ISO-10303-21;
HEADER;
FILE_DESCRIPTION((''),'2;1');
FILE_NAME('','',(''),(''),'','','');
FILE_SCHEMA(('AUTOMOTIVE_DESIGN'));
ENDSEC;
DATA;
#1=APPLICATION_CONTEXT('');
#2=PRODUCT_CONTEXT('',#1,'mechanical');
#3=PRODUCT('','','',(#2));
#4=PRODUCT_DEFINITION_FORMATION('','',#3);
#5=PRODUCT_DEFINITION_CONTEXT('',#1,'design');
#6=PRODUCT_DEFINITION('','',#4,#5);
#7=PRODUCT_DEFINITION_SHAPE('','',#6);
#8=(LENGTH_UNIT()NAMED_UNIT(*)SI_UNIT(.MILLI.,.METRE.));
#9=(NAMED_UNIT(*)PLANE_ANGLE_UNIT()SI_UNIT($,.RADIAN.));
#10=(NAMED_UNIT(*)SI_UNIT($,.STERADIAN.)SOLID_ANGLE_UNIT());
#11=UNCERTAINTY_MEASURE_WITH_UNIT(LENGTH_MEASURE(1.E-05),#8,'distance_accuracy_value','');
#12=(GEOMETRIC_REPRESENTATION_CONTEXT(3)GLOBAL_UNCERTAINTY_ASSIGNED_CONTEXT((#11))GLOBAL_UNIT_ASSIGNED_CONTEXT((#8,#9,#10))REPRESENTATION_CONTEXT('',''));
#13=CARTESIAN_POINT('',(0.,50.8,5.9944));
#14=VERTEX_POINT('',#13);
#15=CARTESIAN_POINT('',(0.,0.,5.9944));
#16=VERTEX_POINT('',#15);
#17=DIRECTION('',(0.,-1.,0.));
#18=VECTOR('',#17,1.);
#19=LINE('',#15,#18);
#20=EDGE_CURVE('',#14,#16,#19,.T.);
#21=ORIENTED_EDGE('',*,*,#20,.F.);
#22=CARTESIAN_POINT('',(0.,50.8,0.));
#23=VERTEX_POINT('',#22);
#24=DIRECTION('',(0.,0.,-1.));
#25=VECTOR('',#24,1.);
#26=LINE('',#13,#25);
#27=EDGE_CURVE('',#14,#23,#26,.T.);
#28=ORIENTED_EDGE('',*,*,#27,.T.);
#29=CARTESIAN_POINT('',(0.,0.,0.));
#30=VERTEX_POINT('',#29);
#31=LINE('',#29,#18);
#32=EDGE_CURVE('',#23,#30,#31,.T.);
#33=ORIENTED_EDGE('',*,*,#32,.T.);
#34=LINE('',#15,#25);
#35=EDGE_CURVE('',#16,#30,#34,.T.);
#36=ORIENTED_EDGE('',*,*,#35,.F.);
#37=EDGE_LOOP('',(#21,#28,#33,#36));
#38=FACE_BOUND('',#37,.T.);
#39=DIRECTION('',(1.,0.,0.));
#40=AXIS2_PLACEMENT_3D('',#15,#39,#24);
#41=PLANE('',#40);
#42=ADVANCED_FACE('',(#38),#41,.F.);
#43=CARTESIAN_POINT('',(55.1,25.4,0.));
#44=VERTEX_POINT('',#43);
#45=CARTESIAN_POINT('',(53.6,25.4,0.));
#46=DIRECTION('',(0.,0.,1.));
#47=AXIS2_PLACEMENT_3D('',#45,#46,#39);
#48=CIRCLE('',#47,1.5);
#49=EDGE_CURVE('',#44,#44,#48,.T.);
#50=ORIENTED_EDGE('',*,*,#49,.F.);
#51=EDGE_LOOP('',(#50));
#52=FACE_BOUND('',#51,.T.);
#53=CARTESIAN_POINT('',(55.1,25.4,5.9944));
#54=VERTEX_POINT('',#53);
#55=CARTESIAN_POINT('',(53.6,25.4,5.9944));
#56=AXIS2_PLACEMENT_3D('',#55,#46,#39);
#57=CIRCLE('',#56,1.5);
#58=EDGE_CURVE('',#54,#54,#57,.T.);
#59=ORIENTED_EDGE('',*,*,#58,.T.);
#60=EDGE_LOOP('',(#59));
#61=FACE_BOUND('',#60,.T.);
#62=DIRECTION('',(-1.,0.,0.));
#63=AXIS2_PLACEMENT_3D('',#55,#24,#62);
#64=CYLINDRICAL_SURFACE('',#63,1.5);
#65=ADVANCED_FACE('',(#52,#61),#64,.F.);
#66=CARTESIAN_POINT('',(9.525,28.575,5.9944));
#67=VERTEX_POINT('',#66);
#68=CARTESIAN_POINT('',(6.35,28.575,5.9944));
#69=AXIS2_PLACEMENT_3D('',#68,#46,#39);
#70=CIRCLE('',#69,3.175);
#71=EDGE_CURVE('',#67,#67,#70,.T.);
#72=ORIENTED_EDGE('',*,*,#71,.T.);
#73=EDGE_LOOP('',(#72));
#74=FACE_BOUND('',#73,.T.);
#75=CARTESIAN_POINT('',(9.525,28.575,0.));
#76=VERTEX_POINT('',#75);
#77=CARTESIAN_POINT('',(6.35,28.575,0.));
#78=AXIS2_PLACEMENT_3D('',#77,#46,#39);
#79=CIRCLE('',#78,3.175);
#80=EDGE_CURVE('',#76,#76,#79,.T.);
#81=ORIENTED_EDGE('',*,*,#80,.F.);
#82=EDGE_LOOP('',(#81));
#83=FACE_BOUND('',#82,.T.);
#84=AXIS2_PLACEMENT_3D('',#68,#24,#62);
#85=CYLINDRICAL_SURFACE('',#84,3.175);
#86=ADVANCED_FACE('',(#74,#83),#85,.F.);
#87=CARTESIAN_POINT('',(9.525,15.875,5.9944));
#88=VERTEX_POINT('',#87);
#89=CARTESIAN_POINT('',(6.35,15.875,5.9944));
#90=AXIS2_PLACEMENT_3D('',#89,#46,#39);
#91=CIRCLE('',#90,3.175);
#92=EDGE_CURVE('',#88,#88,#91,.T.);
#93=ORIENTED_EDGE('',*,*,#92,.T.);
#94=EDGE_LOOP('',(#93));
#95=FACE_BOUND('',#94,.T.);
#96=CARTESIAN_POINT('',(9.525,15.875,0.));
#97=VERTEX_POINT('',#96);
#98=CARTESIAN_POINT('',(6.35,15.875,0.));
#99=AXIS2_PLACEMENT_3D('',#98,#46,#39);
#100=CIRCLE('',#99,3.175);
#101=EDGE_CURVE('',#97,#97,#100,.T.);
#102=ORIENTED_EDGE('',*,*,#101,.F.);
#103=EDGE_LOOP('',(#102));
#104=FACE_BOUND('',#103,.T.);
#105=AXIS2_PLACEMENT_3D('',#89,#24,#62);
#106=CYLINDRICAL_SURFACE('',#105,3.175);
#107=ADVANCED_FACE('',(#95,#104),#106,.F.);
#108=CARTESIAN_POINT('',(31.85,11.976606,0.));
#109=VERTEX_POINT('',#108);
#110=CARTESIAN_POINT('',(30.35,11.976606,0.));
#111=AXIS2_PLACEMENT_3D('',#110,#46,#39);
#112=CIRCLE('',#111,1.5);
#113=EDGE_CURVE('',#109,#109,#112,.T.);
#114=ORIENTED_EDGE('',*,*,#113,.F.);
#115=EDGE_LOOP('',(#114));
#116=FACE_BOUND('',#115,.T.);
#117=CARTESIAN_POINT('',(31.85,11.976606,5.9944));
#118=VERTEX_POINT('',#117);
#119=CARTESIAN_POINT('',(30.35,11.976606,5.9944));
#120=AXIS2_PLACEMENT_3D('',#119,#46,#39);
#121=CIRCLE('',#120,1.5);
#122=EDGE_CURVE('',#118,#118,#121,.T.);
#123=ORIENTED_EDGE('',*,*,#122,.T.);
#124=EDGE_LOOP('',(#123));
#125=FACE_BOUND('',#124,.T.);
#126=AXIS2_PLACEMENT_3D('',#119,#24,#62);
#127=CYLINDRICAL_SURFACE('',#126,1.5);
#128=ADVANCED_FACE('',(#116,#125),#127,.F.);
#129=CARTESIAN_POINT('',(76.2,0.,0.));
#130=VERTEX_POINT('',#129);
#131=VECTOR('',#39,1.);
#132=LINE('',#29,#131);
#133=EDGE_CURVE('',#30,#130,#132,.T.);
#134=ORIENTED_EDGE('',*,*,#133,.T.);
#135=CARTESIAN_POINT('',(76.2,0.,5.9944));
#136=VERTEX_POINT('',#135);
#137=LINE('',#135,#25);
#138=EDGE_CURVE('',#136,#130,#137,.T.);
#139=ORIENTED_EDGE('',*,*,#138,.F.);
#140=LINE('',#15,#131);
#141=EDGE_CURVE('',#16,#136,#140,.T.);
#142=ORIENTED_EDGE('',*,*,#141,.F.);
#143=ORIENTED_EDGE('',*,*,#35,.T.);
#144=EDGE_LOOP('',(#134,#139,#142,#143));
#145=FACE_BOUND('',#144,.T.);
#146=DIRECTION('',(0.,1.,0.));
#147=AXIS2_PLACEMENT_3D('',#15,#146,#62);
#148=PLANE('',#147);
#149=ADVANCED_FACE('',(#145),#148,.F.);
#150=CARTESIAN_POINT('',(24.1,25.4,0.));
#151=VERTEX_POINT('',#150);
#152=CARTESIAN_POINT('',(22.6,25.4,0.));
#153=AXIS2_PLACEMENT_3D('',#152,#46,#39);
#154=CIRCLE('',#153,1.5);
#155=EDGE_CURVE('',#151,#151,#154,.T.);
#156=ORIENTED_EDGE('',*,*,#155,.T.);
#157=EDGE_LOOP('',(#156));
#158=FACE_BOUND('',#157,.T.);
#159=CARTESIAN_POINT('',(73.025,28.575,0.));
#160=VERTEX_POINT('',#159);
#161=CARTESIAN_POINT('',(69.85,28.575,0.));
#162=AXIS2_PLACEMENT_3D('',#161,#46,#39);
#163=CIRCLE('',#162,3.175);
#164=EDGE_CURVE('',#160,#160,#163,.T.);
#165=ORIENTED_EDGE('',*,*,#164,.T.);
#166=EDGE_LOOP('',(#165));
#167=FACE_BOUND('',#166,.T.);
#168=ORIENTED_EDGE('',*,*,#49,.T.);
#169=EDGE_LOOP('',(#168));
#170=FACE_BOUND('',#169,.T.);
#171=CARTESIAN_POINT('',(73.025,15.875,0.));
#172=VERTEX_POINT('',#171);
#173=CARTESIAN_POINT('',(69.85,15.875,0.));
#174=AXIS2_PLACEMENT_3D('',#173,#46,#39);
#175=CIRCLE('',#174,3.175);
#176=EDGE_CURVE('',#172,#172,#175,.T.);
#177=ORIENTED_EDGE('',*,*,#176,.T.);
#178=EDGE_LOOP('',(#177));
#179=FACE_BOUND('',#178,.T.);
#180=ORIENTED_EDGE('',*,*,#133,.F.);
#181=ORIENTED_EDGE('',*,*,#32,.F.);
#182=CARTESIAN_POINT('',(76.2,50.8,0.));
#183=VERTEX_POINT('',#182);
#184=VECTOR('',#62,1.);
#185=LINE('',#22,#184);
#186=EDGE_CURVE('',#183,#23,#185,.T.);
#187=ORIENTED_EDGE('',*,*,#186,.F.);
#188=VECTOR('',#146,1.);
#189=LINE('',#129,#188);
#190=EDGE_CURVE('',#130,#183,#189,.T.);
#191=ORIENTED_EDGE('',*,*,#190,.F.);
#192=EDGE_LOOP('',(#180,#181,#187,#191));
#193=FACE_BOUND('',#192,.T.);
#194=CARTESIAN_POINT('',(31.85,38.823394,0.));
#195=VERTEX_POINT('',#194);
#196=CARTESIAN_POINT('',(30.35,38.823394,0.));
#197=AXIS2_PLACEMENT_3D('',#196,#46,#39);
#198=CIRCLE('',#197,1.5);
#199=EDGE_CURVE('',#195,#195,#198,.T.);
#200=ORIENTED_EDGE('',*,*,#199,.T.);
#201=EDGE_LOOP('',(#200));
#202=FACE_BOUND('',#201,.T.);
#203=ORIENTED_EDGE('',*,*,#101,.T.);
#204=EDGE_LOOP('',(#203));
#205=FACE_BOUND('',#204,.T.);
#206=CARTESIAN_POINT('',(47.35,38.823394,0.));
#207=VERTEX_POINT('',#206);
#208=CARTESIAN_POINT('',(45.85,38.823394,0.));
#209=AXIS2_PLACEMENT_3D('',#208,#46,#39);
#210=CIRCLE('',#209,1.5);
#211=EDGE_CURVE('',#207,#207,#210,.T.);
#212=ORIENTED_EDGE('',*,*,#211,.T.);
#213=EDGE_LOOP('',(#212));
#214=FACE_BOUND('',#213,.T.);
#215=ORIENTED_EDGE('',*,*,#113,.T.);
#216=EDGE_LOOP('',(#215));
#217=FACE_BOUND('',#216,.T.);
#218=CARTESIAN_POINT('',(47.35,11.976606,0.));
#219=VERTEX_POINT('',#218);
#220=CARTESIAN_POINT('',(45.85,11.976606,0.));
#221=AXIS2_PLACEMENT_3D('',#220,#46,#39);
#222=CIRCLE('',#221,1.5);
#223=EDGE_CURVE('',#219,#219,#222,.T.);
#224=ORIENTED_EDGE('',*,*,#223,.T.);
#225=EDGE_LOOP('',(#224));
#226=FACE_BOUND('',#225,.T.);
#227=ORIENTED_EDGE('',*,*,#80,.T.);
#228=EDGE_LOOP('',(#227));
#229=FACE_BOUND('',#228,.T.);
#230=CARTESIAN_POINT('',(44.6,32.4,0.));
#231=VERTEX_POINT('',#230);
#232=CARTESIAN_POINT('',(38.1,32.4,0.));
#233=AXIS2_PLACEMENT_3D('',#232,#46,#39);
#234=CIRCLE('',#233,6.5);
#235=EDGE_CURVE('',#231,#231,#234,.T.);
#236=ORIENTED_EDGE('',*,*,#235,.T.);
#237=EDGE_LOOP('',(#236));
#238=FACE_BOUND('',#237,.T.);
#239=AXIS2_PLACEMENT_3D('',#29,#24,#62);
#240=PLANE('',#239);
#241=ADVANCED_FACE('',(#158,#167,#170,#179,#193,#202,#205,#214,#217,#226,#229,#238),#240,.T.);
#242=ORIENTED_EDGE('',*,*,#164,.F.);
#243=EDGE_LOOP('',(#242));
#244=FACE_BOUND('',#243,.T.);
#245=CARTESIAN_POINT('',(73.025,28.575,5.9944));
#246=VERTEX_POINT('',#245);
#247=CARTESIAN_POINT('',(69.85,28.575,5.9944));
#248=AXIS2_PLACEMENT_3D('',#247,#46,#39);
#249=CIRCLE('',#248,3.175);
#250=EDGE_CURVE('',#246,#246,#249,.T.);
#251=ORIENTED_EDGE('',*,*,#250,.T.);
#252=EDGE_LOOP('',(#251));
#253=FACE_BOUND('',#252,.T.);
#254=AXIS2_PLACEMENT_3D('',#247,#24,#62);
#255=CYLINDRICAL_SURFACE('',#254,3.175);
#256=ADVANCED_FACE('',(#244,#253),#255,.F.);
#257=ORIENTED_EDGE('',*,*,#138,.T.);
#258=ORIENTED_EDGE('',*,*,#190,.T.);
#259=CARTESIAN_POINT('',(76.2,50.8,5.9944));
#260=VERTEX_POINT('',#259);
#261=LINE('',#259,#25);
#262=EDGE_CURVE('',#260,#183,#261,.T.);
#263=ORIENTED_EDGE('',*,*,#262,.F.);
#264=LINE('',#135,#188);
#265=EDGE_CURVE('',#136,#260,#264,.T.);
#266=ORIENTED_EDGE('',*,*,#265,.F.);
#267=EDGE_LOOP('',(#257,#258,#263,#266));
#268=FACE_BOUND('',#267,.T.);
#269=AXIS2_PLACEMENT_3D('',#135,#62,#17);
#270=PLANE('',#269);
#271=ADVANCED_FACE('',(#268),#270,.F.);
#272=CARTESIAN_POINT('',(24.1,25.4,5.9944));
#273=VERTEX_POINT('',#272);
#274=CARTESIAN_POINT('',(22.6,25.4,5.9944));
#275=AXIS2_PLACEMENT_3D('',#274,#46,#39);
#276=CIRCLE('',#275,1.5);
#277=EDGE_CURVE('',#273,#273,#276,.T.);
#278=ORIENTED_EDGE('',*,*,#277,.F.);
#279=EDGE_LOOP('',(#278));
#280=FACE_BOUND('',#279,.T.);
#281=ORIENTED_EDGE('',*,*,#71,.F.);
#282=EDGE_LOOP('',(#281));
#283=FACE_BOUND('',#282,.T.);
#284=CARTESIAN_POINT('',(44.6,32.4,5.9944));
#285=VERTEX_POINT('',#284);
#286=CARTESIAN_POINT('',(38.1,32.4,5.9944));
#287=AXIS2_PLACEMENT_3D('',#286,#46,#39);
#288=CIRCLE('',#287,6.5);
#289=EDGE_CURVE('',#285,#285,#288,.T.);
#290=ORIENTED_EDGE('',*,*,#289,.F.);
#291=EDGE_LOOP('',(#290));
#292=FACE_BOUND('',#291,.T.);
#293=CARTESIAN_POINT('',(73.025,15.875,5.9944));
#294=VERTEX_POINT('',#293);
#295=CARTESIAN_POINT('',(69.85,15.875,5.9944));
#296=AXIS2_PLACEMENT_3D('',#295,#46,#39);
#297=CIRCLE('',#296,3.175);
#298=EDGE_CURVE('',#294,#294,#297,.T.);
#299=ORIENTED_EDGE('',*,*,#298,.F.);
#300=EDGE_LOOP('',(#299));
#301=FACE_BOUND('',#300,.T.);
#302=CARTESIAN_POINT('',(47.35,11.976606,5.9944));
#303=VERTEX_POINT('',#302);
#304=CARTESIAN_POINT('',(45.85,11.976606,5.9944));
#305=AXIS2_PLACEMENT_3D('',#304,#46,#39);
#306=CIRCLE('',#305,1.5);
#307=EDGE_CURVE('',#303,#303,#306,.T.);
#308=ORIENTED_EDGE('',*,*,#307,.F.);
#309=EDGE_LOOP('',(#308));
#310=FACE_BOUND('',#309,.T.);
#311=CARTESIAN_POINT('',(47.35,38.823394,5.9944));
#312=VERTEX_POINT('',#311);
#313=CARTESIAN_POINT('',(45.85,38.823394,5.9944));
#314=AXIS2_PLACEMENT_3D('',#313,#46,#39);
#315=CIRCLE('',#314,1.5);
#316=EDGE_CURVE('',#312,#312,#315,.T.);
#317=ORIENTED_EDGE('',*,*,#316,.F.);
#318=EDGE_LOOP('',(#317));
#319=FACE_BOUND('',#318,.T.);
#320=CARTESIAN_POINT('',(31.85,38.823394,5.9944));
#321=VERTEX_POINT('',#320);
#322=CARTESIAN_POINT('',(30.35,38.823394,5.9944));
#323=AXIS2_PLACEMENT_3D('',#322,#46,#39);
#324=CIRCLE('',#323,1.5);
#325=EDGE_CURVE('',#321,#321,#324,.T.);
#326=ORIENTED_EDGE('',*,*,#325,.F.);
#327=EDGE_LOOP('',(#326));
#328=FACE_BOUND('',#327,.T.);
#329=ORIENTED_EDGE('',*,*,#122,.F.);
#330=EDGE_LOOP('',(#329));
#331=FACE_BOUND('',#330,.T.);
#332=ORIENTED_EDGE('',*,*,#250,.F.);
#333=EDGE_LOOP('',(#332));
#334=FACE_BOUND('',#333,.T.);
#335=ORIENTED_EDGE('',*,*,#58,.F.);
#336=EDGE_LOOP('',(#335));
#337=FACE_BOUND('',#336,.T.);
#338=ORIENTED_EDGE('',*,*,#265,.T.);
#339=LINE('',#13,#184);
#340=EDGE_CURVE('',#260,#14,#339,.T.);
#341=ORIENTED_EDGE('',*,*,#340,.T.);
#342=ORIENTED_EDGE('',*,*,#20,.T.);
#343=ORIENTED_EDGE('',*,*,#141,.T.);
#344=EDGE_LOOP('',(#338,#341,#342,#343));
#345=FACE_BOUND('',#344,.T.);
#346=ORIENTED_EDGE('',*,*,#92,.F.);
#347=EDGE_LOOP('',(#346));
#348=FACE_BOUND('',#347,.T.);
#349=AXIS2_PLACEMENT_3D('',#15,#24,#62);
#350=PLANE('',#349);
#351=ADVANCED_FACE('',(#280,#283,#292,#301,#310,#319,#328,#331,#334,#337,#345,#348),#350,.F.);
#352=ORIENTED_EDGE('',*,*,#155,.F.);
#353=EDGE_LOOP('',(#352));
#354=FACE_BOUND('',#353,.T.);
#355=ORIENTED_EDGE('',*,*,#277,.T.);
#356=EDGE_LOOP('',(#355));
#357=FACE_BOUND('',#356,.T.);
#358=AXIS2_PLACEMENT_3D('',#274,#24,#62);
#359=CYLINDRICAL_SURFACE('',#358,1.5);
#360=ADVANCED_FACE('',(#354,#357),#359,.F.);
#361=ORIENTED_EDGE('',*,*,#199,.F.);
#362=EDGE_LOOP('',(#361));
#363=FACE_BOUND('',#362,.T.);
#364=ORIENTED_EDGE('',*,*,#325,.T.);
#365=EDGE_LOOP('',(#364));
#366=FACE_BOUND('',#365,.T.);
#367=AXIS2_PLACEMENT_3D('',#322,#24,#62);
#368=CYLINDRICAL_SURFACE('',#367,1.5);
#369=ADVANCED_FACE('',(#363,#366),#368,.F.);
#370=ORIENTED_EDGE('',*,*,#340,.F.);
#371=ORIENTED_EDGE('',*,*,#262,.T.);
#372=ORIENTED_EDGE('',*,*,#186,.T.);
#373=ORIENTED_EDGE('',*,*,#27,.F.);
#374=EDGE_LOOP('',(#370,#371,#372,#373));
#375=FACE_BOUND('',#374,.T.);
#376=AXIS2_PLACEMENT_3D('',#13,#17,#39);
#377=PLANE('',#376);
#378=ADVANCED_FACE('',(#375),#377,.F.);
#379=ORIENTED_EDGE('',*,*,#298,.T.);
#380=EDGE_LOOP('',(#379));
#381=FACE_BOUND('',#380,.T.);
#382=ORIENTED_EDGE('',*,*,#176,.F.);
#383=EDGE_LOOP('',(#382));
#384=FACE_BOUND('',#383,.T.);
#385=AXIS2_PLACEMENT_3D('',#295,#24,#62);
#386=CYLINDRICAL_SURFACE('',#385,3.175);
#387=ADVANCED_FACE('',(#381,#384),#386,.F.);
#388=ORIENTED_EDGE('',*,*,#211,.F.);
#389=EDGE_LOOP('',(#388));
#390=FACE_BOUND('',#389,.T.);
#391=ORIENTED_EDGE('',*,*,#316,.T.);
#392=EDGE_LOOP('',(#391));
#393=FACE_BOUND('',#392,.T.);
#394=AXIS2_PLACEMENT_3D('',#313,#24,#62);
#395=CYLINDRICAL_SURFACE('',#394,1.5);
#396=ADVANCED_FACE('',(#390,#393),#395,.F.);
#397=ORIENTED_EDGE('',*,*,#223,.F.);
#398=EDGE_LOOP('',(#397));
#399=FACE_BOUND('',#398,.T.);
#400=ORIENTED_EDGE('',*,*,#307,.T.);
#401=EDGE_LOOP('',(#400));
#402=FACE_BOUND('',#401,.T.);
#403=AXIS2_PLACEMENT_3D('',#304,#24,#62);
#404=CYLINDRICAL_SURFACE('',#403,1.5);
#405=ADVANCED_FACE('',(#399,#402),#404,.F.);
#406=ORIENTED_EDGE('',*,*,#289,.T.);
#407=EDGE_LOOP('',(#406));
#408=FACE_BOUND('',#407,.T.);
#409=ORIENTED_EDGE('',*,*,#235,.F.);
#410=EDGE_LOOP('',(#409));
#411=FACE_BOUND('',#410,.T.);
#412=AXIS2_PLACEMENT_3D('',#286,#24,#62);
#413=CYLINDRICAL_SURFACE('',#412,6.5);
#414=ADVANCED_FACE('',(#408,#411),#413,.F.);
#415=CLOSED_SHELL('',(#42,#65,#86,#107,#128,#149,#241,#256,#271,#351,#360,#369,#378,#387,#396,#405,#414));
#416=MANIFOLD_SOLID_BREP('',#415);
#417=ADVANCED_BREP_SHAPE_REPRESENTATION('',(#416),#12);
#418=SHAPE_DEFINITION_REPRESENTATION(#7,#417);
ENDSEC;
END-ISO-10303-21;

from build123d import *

# Parameters (mm, degrees)
SKETCH1_W           = 76.2
SKETCH1_H           = 50.8
SKETCH1_R           = 6.5
SKETCH1_R_2         = 1.5
SKETCH1_R_3         = 3.175
BOSS_EXTRUDE1_DEPTH = 5.9944


with BuildPart() as part:
    # Sketch1 → Boss-Extrude1 (new body)
    with BuildSketch(Plane.XY):
        with Locations((38.1, 25.4)):
            Rectangle(SKETCH1_W, SKETCH1_H)
        with Locations((38.1, 32.4)):
            Circle(SKETCH1_R, mode=Mode.SUBTRACT)
        with Locations((22.6, 25.4)):
            Circle(SKETCH1_R_2, mode=Mode.SUBTRACT)
        with Locations((53.6, 25.4)):
            Circle(SKETCH1_R_2, mode=Mode.SUBTRACT)
        with Locations((45.85, 11.976606241)):
            Circle(SKETCH1_R_2, mode=Mode.SUBTRACT)
        with Locations((30.35, 11.976606241)):
            Circle(SKETCH1_R_2, mode=Mode.SUBTRACT)
        with Locations((30.35, 38.823393759)):
            Circle(SKETCH1_R_2, mode=Mode.SUBTRACT)
        with Locations((45.85, 38.823393759)):
            Circle(SKETCH1_R_2, mode=Mode.SUBTRACT)
        with Locations((6.35, 28.575)):
            Circle(SKETCH1_R_3, mode=Mode.SUBTRACT)
        with Locations((6.35, 15.875)):
            Circle(SKETCH1_R_3, mode=Mode.SUBTRACT)
        with Locations((69.85, 28.575)):
            Circle(SKETCH1_R_3, mode=Mode.SUBTRACT)
        with Locations((69.85, 15.875)):
            Circle(SKETCH1_R_3, mode=Mode.SUBTRACT)
    extrude(amount=BOSS_EXTRUDE1_DEPTH)


solid = part.part
